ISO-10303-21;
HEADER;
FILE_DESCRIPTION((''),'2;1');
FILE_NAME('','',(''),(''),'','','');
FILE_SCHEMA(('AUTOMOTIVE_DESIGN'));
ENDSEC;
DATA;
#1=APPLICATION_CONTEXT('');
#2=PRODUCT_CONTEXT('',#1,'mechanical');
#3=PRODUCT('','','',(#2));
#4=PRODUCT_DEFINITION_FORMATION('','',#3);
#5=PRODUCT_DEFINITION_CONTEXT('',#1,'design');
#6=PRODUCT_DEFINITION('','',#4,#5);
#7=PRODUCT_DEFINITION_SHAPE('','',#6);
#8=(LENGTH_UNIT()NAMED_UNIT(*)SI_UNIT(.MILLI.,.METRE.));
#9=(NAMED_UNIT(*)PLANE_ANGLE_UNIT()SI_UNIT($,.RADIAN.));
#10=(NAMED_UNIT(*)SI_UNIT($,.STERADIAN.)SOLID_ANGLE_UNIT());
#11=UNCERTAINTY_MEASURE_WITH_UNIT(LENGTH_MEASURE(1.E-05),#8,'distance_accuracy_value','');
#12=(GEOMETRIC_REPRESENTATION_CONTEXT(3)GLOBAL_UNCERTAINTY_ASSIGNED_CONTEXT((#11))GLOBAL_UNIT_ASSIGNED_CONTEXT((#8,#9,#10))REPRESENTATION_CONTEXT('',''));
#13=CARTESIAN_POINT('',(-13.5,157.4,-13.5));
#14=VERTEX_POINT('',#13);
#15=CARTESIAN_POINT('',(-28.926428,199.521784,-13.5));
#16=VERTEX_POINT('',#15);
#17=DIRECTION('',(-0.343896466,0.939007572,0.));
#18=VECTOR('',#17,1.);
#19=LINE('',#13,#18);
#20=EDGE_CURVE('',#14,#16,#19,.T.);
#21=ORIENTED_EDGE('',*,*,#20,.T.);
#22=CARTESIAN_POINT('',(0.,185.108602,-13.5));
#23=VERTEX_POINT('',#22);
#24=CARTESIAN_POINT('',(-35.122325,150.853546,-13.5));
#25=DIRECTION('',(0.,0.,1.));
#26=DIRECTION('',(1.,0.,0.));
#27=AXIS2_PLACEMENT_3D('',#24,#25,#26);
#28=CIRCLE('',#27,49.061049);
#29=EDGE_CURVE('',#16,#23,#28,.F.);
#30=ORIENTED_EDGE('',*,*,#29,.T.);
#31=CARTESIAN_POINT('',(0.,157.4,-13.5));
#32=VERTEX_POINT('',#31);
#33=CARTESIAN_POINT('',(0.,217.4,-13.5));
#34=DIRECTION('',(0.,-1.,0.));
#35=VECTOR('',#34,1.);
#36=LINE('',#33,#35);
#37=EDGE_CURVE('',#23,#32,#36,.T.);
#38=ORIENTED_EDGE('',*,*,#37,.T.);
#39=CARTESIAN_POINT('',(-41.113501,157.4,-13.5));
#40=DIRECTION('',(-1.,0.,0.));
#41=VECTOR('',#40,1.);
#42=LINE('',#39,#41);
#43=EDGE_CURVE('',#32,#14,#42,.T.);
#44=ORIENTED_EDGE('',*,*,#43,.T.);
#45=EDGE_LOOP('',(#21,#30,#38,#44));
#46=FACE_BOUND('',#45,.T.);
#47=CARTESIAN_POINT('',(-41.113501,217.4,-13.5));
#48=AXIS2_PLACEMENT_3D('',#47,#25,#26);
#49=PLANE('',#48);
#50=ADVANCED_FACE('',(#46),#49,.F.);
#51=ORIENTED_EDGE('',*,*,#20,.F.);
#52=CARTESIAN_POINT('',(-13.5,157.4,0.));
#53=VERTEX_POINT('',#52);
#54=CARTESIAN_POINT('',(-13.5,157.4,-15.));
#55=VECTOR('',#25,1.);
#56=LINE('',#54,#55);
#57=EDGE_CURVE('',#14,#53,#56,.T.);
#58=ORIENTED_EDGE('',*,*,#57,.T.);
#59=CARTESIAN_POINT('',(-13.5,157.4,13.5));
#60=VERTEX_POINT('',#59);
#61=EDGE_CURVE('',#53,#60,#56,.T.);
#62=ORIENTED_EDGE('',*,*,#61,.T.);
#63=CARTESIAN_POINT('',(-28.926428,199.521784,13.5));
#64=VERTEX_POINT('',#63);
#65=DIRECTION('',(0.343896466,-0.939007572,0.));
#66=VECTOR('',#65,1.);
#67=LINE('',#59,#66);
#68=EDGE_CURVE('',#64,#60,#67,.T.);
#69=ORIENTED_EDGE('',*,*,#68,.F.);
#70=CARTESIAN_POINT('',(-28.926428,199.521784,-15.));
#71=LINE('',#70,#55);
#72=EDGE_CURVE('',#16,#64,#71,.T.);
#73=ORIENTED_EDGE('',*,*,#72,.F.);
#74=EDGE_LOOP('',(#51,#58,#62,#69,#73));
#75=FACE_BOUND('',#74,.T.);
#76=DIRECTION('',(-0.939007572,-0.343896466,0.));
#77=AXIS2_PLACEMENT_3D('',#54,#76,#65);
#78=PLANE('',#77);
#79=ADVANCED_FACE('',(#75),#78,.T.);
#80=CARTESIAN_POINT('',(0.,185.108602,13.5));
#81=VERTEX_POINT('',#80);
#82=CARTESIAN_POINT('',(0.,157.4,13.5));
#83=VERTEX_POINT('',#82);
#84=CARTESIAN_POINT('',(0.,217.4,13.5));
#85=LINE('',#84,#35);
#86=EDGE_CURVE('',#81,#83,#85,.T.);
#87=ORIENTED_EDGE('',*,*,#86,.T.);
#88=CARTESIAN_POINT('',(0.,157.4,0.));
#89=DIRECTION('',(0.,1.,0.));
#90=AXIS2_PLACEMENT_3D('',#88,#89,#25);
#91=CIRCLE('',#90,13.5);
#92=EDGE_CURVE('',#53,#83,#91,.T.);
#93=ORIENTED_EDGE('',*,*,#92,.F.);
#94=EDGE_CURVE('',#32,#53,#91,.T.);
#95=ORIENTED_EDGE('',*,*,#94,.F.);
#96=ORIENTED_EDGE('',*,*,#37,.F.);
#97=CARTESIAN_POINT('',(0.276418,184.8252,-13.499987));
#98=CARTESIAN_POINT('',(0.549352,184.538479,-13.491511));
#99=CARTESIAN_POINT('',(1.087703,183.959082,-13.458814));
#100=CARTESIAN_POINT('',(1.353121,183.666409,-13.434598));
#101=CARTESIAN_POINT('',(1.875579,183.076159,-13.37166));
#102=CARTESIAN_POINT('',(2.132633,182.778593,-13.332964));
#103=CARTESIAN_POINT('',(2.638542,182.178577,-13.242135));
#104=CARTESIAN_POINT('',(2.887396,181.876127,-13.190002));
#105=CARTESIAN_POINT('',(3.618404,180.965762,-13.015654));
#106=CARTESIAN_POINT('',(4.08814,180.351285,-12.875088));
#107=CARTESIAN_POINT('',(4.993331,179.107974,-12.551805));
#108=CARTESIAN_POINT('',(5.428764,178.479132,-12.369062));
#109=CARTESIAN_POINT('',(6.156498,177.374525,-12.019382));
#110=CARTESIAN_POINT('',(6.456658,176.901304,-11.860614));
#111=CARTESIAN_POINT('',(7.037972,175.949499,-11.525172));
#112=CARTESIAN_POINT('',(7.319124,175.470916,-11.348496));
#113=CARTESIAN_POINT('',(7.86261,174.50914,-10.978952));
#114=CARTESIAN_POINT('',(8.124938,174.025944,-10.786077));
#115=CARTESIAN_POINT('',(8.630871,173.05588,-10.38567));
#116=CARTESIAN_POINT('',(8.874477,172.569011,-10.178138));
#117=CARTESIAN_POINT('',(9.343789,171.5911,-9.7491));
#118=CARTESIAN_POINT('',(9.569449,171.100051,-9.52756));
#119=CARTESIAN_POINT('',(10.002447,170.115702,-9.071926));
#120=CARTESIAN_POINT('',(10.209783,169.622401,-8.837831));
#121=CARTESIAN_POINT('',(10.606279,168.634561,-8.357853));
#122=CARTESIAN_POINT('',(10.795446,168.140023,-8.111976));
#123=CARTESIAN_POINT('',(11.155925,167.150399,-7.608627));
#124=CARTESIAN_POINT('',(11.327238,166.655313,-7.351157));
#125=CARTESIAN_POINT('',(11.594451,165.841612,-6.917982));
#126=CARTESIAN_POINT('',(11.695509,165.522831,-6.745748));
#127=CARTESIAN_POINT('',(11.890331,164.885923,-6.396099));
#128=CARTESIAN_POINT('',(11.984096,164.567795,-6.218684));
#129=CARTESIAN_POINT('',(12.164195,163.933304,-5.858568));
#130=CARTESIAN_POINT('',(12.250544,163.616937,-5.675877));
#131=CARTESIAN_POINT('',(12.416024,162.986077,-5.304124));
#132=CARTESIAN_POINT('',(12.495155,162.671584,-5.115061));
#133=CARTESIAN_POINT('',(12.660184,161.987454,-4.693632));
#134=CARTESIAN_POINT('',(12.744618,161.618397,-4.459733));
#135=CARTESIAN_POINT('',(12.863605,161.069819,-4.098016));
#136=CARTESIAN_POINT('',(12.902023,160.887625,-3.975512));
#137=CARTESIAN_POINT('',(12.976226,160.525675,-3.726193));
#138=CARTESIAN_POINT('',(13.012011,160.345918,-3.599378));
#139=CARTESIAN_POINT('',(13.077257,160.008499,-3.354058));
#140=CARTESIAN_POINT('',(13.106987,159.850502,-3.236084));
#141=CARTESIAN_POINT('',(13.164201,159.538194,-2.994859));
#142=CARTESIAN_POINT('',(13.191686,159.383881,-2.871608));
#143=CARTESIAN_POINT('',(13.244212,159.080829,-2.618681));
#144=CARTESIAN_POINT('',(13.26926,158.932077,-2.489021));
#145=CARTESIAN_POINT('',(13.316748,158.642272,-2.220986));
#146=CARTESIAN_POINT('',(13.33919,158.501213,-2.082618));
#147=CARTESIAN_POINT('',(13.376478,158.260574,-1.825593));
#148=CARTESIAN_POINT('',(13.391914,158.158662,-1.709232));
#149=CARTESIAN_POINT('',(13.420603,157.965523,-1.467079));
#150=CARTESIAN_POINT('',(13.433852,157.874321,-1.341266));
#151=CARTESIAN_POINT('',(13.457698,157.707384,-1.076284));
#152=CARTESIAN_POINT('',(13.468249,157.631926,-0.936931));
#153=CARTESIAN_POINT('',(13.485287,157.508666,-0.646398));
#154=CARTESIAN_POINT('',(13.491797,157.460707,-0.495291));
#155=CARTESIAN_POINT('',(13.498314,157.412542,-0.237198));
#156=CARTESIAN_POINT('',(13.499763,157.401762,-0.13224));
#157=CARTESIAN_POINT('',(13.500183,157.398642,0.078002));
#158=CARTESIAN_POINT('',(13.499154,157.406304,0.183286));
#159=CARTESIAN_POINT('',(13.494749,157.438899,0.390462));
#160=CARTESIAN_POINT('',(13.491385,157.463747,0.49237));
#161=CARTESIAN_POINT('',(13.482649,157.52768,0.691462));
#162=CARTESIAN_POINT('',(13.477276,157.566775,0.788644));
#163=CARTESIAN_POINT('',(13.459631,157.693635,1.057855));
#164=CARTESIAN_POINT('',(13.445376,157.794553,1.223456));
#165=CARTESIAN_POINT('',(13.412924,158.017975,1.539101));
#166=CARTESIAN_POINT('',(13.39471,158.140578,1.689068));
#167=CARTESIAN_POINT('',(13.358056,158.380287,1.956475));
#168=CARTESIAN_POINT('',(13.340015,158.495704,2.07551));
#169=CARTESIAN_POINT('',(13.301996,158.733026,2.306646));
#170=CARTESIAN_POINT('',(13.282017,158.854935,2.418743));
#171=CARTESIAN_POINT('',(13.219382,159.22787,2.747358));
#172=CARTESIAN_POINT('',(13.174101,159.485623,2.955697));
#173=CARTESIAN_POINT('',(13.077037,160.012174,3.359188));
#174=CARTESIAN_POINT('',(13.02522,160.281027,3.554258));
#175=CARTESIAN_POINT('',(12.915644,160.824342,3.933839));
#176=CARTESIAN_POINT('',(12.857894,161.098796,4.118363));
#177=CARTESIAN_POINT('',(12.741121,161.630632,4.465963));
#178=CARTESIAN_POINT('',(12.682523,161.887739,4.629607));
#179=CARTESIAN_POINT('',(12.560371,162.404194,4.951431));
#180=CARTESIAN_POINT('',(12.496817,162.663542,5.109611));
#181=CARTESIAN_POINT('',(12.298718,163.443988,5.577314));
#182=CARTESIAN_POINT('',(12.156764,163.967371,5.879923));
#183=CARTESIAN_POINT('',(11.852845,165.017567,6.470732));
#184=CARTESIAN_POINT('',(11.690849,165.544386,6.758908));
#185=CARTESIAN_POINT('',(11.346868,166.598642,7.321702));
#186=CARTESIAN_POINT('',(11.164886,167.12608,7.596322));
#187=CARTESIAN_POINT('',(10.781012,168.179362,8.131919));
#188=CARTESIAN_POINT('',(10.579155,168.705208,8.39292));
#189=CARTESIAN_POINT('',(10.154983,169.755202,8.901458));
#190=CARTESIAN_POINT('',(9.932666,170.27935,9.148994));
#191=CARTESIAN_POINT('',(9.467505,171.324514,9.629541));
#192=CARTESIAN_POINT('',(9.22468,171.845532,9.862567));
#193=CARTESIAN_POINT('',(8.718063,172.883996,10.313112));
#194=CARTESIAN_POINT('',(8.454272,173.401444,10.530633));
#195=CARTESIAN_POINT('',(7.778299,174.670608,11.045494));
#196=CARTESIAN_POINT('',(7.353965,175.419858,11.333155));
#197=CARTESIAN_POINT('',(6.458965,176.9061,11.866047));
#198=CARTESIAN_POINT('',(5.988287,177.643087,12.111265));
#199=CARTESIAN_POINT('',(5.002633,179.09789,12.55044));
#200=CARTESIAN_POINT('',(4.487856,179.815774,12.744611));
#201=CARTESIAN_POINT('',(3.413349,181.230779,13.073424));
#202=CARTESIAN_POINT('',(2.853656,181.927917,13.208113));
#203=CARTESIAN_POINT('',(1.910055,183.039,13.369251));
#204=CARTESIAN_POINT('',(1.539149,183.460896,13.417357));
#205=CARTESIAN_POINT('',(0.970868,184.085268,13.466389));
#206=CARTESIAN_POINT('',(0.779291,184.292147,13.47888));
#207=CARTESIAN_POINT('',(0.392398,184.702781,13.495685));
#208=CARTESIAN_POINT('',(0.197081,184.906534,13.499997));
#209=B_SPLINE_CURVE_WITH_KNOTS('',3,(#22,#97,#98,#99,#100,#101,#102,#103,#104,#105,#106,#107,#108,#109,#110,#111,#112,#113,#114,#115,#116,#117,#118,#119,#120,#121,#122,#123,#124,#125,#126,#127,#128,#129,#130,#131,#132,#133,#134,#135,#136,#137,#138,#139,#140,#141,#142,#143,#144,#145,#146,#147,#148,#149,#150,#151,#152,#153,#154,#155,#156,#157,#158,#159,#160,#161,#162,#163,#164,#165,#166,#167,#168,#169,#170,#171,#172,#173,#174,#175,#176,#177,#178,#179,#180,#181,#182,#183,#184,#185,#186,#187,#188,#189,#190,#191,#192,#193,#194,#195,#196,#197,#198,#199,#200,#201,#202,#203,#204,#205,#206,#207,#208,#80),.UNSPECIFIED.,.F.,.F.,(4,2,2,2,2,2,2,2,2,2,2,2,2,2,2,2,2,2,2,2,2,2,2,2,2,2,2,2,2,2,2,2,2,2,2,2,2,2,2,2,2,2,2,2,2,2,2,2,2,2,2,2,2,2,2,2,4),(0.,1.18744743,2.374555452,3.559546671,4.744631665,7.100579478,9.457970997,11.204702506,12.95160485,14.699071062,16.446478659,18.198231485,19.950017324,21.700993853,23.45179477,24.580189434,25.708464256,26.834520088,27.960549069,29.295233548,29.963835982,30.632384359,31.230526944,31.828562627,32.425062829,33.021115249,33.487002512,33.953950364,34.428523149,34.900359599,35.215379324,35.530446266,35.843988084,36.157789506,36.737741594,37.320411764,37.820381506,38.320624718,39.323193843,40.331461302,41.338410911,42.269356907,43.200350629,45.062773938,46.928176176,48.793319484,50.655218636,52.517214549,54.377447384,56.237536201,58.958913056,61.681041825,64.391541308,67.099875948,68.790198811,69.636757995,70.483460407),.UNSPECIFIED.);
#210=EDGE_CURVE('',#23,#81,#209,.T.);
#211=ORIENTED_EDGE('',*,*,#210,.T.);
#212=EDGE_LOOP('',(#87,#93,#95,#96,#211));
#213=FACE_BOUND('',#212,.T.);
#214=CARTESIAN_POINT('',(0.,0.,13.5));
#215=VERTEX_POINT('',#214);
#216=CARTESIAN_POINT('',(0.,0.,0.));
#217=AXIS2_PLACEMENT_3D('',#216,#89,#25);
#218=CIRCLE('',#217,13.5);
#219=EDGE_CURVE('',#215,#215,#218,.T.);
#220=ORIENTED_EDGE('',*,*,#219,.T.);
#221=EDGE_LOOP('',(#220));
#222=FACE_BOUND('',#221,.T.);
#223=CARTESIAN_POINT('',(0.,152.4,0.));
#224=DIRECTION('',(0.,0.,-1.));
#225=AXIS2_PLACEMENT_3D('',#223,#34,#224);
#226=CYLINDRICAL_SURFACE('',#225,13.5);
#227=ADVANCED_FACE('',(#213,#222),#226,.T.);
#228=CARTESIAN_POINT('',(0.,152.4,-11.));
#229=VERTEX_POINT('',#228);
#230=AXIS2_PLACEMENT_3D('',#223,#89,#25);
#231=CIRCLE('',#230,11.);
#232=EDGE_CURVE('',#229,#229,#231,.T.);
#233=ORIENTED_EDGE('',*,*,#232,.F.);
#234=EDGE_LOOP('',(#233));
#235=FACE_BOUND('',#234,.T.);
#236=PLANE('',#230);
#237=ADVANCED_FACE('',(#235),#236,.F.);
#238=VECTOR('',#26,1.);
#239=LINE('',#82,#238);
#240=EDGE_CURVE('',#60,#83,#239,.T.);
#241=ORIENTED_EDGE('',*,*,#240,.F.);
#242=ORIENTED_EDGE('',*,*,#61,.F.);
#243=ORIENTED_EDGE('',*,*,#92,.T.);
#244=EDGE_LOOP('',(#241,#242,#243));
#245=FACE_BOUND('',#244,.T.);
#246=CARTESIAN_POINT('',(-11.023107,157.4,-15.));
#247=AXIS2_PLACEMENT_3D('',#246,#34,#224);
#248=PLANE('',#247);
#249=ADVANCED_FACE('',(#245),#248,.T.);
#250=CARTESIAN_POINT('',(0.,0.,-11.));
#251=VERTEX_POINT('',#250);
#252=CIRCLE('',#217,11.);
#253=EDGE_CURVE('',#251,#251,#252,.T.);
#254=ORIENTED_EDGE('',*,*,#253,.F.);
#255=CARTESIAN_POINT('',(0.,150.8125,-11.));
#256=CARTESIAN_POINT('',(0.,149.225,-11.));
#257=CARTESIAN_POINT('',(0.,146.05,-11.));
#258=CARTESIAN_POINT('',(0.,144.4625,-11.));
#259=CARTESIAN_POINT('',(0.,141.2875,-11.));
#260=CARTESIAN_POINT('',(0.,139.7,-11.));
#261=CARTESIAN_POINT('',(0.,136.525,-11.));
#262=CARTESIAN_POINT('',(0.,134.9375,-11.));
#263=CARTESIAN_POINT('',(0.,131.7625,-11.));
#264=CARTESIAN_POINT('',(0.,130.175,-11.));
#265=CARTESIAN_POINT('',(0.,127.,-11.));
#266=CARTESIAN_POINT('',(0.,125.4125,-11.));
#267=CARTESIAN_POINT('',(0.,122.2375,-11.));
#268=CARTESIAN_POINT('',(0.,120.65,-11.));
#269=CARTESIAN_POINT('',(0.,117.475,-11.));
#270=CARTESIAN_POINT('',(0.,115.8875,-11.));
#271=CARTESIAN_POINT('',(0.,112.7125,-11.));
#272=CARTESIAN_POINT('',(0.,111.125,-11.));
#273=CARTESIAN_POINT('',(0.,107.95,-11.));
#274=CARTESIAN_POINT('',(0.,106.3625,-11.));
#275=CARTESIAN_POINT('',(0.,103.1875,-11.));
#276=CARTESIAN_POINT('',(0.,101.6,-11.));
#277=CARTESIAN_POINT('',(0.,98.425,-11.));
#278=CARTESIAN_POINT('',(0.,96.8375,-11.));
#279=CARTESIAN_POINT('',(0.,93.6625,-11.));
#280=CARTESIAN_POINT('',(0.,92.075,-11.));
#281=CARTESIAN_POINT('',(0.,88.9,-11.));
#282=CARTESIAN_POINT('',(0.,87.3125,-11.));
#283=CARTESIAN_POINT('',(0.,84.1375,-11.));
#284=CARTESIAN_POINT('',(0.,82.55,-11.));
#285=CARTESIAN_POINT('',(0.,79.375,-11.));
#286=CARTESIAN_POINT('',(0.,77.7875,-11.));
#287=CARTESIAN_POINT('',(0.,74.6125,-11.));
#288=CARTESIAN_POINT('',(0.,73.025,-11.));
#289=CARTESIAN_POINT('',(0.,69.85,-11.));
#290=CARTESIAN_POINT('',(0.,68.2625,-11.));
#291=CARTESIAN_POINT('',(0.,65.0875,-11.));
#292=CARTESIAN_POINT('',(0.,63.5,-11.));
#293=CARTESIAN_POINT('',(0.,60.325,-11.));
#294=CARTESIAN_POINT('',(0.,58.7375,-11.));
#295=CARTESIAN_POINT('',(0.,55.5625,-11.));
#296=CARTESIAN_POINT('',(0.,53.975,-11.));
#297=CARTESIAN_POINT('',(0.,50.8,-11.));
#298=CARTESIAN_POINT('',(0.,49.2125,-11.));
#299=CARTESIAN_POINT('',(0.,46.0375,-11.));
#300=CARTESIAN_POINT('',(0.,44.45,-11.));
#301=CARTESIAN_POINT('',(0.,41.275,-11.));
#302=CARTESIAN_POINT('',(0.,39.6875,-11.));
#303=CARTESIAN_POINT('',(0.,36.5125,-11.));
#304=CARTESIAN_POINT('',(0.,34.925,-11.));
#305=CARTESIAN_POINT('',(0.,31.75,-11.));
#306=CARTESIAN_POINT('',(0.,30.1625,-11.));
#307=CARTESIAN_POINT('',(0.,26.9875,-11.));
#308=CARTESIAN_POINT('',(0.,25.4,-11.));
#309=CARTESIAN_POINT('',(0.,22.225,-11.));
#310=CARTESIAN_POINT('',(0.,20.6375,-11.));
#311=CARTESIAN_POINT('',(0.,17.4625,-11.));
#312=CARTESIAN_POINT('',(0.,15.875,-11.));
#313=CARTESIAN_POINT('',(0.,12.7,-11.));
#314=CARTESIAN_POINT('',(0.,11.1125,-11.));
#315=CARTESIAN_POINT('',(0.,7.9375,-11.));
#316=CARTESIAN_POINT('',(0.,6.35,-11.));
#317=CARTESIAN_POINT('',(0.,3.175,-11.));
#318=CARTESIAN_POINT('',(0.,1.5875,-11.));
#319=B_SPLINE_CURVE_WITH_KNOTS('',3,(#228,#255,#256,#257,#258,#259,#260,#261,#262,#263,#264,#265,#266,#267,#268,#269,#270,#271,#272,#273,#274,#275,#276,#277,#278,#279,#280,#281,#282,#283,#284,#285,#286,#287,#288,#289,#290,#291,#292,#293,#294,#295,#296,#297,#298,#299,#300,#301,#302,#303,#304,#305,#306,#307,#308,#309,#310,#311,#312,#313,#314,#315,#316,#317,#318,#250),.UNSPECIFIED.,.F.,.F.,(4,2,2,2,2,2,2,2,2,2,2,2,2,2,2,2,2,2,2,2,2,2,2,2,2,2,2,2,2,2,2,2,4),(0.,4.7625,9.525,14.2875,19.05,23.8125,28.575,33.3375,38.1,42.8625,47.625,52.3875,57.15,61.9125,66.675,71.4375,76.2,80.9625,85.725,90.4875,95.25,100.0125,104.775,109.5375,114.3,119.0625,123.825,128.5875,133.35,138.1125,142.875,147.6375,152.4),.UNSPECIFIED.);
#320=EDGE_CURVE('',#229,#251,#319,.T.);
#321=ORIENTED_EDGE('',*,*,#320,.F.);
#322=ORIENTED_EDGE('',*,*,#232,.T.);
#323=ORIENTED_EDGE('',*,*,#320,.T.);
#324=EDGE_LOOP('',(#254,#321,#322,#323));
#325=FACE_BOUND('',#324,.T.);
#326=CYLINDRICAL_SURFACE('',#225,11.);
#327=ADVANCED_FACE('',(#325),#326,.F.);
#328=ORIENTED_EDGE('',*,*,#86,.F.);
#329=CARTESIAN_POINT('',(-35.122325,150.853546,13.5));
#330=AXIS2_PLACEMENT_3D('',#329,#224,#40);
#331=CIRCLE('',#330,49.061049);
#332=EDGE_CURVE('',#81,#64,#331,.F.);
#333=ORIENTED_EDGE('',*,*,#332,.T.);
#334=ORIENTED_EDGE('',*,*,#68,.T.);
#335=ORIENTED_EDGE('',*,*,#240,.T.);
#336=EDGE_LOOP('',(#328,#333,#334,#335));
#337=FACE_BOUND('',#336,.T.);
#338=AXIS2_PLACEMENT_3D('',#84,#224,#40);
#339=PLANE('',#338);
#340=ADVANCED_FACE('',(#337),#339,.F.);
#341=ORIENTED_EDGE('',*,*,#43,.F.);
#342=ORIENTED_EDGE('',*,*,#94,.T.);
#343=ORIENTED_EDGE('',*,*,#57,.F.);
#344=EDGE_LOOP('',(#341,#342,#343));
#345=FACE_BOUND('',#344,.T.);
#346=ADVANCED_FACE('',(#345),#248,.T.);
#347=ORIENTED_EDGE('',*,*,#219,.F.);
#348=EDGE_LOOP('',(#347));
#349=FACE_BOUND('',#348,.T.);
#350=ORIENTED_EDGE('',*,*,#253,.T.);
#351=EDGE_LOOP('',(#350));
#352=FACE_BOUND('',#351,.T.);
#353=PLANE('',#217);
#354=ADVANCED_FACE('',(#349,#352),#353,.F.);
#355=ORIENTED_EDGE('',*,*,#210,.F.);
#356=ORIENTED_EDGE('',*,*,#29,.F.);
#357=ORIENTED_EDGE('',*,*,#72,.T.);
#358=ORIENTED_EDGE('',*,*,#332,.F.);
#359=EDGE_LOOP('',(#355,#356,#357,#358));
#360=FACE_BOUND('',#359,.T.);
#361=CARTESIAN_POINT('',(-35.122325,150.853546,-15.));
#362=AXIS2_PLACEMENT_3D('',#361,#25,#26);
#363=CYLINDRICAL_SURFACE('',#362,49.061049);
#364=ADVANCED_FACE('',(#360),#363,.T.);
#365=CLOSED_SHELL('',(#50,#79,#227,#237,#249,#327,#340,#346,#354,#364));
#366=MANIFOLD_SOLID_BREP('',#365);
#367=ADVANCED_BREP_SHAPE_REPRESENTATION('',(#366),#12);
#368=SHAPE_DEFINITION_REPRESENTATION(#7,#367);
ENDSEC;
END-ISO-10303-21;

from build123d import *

# Parameters (mm, degrees)
SKETCH1_R                = 13.5
SKETCH1_R_2              = 11
BOSS_EXTRUDE1_DEPTH      = 152.4
SKETCH2_R                = 13.5
BOSS_EXTRUDE2_DEPTH      = 5
BOSS_EXTRUDE3_DEPTH      = 15
BOSS_EXTRUDE3_DEPTH_BACK = 15
CUT_EXTRUDE3_DEPTH       = 60


with BuildPart() as part:
    # Sketch1 → Boss-Extrude1 (new body)
    with BuildSketch(Plane(origin=(0, 0, 0), x_dir=(1, 0, 0), z_dir=(0, 1, 0))):
        Circle(SKETCH1_R)
        Circle(SKETCH1_R_2, mode=Mode.SUBTRACT)
    extrude(amount=BOSS_EXTRUDE1_DEPTH)

    # Sketch2 → Boss-Extrude2 (add)
    with BuildSketch(Plane(origin=(0, 152.4, 0), x_dir=(1, 0, 0), z_dir=(0, 1, 0))):
        Circle(SKETCH2_R)
    extrude(amount=BOSS_EXTRUDE2_DEPTH)

    # Sketch4 → Boss-Extrude3 (add, two sides: drawn at the far end of the back side and taken through both)
    with BuildSketch(Plane.XY.offset(-BOSS_EXTRUDE3_DEPTH_BACK)):
        with BuildLine():
            Line((-11.023106703, 157.4), (13.5, 157.4))
            ThreePointArc((13.5, 157.4), (-0.556148669, 185.669720677), (-28.926428084, 199.52178437))
            Line((-28.926428084, 199.52178437), (-13.5, 157.4))
            Line((-13.5, 157.4), (-11.023106703, 157.4))
        make_face()
    extrude(amount=BOSS_EXTRUDE3_DEPTH + BOSS_EXTRUDE3_DEPTH_BACK)

    # Sketch6 → Cut-Extrude3 (cut)
    with BuildSketch(Plane.XZ.offset(-157.4)):
        with BuildLine():
            Line((0, -13.5), (-22.831524923, -13.5))
            Line((-22.831524923, -13.5), (-32.31073418, -13.5))
            Line((-32.31073418, -13.5), (-41.113501084, -13.5))
            Line((-41.113501084, -13.5), (-41.113501084, -20.862107507))
            Line((-41.113501084, -20.862107507), (-22.423580549, -20.091260403))
            Line((-22.423580549, -20.091260403), (15.387763585, -20.091260403))
            Line((15.387763585, -20.091260403), (15.387763585, 20.06576388))
            Line((15.387763585, 20.06576388), (-22.423580549, 20.06576388))
            Line((-22.423580549, 20.06576388), (-41.113501084, 20.06576388))
            Line((-41.113501084, 20.06576388), (-41.553103928, 13.317013583))
            Line((-41.553103928, 13.317013583), (-30.569316507, 13.5))
            Line((-30.569316507, 13.5), (0, 13.5))
            ThreePointArc((0, 13.5), (13.5, 0), (0, -13.5))
        make_face()
    extrude(amount=-CUT_EXTRUDE3_DEPTH, mode=Mode.SUBTRACT)


solid = part.part
